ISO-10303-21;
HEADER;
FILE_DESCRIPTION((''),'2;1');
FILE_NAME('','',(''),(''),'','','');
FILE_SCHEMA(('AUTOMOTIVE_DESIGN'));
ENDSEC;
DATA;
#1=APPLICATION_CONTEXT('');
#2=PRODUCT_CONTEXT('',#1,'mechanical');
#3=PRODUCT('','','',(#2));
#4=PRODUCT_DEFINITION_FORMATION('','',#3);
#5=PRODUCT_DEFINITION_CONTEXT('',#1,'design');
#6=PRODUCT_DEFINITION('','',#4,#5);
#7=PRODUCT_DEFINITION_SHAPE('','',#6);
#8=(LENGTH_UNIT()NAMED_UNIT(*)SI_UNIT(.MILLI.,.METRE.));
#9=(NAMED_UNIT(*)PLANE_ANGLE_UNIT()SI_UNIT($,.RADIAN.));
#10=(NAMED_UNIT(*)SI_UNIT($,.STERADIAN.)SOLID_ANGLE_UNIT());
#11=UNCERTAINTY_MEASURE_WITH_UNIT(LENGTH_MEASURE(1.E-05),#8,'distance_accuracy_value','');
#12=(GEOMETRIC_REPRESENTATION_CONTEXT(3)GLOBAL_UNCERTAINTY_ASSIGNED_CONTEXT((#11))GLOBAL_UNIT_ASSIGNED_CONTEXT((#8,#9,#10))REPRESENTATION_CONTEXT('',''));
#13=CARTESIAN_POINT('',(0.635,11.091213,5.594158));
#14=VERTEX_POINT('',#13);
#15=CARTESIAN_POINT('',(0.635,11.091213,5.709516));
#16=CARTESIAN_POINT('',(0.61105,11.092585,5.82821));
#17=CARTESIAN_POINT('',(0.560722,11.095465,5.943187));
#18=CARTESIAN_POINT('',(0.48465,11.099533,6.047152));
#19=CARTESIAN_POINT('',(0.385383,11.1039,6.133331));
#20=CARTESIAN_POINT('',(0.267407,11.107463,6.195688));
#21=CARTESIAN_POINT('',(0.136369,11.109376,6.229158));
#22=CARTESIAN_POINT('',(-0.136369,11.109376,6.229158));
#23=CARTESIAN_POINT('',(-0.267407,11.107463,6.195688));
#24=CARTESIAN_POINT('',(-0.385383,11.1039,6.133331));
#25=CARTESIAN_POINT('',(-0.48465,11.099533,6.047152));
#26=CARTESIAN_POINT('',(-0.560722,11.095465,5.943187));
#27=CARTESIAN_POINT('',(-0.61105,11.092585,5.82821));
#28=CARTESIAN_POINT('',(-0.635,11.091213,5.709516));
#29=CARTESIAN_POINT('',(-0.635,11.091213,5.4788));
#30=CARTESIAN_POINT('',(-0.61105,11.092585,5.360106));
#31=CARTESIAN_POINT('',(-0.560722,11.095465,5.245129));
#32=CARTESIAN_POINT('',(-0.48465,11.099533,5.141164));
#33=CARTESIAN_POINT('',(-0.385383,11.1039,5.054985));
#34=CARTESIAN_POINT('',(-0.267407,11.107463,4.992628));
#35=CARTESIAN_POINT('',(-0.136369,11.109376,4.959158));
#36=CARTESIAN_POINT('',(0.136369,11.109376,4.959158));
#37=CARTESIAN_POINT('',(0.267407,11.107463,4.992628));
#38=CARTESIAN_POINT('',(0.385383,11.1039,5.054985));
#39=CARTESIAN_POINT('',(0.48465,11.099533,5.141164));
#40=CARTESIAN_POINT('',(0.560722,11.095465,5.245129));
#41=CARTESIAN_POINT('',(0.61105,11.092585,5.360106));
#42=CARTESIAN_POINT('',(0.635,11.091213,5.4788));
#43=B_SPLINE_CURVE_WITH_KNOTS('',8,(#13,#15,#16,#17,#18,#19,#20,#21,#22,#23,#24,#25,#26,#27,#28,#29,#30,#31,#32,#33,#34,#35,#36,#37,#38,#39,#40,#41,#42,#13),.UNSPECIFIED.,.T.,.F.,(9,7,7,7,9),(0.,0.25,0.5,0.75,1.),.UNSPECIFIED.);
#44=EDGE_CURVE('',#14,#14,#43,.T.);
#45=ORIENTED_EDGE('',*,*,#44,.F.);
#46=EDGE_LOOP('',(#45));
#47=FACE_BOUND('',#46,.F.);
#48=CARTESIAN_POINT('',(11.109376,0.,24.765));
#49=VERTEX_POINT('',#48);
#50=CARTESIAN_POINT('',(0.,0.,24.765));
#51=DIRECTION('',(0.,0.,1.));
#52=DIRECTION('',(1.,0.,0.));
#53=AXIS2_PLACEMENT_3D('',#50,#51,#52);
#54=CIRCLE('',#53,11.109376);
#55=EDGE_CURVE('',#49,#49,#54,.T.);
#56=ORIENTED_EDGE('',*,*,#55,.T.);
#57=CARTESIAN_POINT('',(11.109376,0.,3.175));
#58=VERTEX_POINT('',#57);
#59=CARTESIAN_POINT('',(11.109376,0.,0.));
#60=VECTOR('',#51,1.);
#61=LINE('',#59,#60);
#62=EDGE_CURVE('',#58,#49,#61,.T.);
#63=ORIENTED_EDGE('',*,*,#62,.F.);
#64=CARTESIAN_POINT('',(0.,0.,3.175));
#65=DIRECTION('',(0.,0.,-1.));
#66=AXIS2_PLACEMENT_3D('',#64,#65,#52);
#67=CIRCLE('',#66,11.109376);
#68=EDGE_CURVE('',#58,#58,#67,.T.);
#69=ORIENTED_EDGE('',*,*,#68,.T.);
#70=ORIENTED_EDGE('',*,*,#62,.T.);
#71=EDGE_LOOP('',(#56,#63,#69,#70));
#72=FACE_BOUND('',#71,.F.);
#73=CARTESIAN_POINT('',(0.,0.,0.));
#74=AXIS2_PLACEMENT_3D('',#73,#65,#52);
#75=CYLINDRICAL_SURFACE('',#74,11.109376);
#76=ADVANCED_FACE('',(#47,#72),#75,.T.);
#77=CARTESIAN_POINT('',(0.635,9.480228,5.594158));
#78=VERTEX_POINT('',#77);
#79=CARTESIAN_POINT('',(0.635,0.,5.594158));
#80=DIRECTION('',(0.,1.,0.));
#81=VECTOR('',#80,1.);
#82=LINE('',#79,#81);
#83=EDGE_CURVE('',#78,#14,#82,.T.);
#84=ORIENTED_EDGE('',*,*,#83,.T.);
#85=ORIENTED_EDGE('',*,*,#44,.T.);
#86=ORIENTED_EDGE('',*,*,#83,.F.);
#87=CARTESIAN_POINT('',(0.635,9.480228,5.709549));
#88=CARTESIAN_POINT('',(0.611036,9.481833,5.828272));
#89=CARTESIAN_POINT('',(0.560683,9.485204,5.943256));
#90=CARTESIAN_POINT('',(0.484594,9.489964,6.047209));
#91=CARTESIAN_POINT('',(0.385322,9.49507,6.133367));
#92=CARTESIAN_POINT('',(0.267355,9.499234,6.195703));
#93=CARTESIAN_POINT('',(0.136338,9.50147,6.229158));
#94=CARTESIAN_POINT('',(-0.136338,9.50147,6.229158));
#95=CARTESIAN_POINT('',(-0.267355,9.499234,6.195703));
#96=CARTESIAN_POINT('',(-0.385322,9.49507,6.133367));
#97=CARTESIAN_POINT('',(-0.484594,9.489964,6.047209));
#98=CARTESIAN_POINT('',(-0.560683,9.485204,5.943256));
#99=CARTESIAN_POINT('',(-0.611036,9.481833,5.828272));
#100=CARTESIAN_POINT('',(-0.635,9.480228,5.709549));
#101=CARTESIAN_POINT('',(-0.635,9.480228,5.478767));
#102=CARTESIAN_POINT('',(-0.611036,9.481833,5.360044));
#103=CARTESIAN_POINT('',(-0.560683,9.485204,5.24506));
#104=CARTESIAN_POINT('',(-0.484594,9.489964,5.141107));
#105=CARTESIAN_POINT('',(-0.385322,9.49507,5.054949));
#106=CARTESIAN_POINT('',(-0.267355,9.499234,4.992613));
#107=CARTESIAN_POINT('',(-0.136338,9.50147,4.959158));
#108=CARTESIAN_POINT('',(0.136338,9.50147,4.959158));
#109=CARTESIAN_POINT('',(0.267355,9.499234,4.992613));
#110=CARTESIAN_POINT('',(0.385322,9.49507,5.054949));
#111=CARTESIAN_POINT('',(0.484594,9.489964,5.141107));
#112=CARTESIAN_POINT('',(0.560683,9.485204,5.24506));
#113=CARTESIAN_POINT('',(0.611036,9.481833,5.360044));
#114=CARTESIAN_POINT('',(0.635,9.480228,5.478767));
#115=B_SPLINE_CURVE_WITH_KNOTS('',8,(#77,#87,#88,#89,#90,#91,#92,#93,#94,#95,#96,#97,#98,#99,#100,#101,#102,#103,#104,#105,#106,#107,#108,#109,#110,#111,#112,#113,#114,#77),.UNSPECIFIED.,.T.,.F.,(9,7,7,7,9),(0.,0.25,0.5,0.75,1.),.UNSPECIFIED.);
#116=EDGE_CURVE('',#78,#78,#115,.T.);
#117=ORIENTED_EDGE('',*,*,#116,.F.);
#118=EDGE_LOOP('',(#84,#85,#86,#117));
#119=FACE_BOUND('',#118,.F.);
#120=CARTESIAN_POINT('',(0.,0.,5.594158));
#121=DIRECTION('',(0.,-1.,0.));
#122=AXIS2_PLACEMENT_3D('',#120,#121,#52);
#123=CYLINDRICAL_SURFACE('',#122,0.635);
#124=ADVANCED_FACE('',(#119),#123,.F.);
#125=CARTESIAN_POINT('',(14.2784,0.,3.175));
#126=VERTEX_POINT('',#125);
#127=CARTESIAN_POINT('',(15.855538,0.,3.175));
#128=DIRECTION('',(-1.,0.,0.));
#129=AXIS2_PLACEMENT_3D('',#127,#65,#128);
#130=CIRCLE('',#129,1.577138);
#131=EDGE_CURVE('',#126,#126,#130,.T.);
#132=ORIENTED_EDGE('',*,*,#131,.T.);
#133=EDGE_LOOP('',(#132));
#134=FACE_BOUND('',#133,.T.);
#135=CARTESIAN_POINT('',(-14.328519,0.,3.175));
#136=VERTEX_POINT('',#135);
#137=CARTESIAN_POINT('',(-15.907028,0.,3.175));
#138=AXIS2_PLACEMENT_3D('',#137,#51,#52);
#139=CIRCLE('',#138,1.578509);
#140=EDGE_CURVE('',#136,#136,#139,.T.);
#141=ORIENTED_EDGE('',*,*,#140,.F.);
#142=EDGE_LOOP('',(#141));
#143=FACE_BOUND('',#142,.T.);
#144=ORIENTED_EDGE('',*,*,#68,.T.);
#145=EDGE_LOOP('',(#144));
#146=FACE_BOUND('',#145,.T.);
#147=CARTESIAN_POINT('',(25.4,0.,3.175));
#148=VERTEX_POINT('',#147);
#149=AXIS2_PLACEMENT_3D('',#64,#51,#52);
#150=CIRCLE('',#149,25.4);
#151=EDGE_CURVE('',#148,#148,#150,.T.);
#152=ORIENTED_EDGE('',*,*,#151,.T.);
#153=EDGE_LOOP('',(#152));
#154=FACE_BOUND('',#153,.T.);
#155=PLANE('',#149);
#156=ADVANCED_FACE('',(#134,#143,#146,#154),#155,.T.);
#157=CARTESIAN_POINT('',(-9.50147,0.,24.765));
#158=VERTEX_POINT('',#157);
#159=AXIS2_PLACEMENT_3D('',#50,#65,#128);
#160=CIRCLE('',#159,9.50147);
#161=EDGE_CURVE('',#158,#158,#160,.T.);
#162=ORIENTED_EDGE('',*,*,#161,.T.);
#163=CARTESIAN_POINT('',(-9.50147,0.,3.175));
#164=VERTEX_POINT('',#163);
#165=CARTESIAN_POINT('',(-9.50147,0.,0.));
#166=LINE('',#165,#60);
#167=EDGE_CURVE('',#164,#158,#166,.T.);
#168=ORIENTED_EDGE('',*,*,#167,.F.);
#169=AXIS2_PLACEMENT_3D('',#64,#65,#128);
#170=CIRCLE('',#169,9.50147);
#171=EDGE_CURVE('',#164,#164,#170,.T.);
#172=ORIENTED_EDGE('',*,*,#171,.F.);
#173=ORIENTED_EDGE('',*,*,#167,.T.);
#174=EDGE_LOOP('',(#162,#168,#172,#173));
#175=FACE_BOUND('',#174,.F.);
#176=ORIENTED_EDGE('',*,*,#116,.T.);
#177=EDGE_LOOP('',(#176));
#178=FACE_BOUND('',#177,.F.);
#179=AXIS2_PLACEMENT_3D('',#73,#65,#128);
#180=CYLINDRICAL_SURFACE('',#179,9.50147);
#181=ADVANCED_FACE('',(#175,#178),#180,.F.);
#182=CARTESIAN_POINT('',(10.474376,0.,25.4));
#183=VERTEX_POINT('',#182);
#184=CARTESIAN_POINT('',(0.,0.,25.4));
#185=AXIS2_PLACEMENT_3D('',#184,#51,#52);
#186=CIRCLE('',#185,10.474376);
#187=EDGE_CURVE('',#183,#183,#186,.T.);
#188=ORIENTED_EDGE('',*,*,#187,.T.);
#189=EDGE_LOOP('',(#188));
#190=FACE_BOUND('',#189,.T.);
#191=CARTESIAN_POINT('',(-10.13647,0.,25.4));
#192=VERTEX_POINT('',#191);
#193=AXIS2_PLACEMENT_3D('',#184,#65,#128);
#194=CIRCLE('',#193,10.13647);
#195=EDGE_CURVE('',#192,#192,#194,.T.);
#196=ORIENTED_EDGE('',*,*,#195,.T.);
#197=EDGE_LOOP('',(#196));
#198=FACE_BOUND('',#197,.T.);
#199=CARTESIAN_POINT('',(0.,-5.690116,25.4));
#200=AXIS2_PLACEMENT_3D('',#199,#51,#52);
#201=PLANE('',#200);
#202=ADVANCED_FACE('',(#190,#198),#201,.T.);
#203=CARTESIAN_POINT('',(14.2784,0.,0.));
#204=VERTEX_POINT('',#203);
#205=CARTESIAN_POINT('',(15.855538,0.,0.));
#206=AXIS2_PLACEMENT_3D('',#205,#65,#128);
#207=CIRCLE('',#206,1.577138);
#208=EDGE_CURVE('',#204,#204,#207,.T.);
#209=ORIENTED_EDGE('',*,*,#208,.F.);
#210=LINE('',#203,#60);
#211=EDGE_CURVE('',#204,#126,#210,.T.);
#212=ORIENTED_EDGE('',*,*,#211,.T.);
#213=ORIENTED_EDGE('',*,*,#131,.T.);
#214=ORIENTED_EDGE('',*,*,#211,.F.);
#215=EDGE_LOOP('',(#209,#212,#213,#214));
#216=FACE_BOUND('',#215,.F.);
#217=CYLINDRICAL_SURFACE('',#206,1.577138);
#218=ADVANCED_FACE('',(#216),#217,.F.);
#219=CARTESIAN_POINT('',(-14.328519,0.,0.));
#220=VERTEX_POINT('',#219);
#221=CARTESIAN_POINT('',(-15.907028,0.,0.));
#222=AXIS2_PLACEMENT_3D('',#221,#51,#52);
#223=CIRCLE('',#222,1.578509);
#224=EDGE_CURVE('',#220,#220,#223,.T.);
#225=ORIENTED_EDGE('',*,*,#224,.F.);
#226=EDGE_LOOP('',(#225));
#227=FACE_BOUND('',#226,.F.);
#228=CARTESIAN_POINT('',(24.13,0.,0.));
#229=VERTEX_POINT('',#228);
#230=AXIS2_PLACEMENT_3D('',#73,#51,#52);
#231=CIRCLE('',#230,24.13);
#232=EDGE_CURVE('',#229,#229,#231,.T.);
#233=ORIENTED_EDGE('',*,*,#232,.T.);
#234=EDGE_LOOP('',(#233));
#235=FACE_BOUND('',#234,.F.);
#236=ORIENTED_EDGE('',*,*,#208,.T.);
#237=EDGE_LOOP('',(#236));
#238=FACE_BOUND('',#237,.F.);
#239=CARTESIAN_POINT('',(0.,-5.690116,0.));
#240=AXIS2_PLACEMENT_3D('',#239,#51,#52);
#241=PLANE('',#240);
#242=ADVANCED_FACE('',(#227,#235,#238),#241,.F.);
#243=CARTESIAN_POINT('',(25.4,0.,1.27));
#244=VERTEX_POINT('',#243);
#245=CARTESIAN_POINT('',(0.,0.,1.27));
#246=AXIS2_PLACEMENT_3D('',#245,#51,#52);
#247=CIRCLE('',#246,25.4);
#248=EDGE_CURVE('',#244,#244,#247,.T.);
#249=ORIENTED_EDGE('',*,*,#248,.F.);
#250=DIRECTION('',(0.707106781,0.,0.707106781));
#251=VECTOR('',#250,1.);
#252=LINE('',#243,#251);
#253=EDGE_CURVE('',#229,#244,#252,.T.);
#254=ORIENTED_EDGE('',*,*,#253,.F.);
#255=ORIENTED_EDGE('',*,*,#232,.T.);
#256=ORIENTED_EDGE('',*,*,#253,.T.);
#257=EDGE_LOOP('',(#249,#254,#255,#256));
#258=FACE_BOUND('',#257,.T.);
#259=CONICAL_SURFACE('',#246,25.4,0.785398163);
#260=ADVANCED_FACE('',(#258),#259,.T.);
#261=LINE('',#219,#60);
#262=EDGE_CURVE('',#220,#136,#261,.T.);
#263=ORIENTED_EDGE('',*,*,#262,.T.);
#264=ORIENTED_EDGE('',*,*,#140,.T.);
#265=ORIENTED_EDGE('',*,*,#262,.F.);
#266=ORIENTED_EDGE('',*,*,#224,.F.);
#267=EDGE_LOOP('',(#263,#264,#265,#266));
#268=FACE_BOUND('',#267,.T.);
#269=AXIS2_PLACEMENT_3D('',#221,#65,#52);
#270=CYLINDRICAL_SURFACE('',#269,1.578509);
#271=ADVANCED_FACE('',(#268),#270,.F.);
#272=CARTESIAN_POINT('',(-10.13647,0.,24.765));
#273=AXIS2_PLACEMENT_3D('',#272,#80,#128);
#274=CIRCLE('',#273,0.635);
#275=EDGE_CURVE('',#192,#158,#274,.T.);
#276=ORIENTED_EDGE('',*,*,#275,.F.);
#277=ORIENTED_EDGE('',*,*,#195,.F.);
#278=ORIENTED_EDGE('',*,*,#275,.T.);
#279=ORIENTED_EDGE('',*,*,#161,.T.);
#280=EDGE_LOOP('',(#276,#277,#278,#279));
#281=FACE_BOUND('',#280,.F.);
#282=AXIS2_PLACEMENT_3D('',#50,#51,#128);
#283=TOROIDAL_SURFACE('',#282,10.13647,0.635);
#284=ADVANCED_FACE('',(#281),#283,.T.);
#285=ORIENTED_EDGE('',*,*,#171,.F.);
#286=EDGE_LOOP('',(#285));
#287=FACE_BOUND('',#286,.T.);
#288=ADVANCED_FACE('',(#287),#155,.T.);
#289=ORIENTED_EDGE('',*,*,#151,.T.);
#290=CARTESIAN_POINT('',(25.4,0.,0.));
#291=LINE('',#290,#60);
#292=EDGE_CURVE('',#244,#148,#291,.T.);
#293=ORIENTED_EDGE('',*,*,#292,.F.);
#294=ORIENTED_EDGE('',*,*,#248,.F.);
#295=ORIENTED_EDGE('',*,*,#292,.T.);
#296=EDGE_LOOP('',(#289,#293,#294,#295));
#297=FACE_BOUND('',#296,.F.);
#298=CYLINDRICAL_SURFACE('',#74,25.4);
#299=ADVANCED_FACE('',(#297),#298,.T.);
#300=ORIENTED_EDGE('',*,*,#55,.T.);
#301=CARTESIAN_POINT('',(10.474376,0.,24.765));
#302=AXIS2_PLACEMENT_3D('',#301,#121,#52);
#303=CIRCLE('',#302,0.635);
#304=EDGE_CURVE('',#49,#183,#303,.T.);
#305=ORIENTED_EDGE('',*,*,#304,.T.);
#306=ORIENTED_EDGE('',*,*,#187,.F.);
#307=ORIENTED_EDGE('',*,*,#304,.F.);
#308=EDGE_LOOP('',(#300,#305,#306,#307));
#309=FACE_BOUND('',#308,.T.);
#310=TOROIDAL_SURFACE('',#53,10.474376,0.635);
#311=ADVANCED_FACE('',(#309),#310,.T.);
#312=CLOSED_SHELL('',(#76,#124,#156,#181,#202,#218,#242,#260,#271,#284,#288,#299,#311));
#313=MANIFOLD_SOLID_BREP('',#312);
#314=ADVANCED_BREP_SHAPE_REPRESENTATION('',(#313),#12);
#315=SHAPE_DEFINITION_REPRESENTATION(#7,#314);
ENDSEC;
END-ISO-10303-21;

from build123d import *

# Parameters (mm, degrees)
F0_R     = 25.4
F0_R_2   = 1.5785092345
F1_DEPTH = 3.175
F2_DEPTH = 25.4
F3_R     = 0.635
F4_DEPTH = 25.4
F5_SIZE  = 1.27
F6_R     = 0.635


with BuildPart() as f1:
    # F0 (on Top) → F1 (new body)
    with BuildSketch(Plane.XY):
        Circle(F0_R)
        with Locations((-15.9070281119, 0)):
            Circle(F0_R_2, mode=Mode.SUBTRACT)
        with BuildLine():
            ThreePointArc((-11.1093761475, 0), (0, 11.1093761475), (11.1093761475, 0))
            ThreePointArc((11.1093761475, 0), (0, -11.1093761475), (-11.1093761475, 0))
        make_face(mode=Mode.SUBTRACT)
        with BuildLine():
            ThreePointArc((17.4326761663, 0), (15.8555379837, -1.5771381826), (14.2783998011, 0))
            ThreePointArc((14.2783998011, 0), (15.8555379837, 1.5771381826), (17.4326761663, 0))
        make_face(mode=Mode.SUBTRACT)
        with BuildLine():
            Line((0, 0), (9.5014704661, 0))
            ThreePointArc((9.5014704661, 0), (0, 9.5014704661), (-9.5014704661, 0))
            Line((-9.5014704661, 0), (0, 0))
        make_face()
        with BuildLine():
            ThreePointArc((-9.5014704661, 0), (0, -9.5014704661), (9.5014704661, 0))
            Line((9.5014704661, 0), (0, 0))
            Line((0, 0), (-9.5014704661, 0))
        make_face()
        with BuildLine():
            ThreePointArc((-9.5014704661, 0), (0, 9.5014704661), (9.5014704661, 0))
            Line((9.5014704661, 0), (11.1093761475, 0))
            ThreePointArc((11.1093761475, 0), (0, 11.1093761475), (-11.1093761475, 0))
            Line((-11.1093761475, 0), (-9.5014704661, 0))
        make_face()
        with BuildLine():
            Line((11.1093761475, 0), (9.5014704661, 0))
            ThreePointArc((9.5014704661, 0), (0, -9.5014704661), (-9.5014704661, 0))
            Line((-9.5014704661, 0), (-11.1093761475, 0))
            ThreePointArc((-11.1093761475, 0), (0, -11.1093761475), (11.1093761475, 0))
        make_face()
    extrude(amount=F1_DEPTH)

    # F0 (on Top) → F2 (join)
    with BuildSketch(Plane.XY):
        with BuildLine():
            Line((11.1093761475, 0), (9.5014704661, 0))
            ThreePointArc((9.5014704661, 0), (0, -9.5014704661), (-9.5014704661, 0))
            Line((-9.5014704661, 0), (-11.1093761475, 0))
            ThreePointArc((-11.1093761475, 0), (0, -11.1093761475), (11.1093761475, 0))
        make_face()
        with BuildLine():
            ThreePointArc((-9.5014704661, 0), (0, 9.5014704661), (9.5014704661, 0))
            Line((9.5014704661, 0), (11.1093761475, 0))
            ThreePointArc((11.1093761475, 0), (0, 11.1093761475), (-11.1093761475, 0))
            Line((-11.1093761475, 0), (-9.5014704661, 0))
        make_face()
    extrude(amount=F2_DEPTH)

    # F3 (on Front) → F4 (cut)
    with BuildSketch(Plane.XZ):
        with Locations((0, 5.5941580795)):
            Circle(F3_R)
    extrude(amount=-F4_DEPTH, mode=Mode.SUBTRACT)

    # F5
    f5_edges = [f1.edges().sort_by_distance(p)[0] for p in [
        (-25.4, 0, 0),
    ]]
    chamfer(f5_edges, length=F5_SIZE)

    # F6
    f6_edges = [f1.edges().sort_by_distance(p)[0] for p in [
        (-11.109376, 0, 25.4),
        (9.50147, 0, 25.4),
    ]]
    fillet(f6_edges, radius=F6_R)


solid = f1.part
